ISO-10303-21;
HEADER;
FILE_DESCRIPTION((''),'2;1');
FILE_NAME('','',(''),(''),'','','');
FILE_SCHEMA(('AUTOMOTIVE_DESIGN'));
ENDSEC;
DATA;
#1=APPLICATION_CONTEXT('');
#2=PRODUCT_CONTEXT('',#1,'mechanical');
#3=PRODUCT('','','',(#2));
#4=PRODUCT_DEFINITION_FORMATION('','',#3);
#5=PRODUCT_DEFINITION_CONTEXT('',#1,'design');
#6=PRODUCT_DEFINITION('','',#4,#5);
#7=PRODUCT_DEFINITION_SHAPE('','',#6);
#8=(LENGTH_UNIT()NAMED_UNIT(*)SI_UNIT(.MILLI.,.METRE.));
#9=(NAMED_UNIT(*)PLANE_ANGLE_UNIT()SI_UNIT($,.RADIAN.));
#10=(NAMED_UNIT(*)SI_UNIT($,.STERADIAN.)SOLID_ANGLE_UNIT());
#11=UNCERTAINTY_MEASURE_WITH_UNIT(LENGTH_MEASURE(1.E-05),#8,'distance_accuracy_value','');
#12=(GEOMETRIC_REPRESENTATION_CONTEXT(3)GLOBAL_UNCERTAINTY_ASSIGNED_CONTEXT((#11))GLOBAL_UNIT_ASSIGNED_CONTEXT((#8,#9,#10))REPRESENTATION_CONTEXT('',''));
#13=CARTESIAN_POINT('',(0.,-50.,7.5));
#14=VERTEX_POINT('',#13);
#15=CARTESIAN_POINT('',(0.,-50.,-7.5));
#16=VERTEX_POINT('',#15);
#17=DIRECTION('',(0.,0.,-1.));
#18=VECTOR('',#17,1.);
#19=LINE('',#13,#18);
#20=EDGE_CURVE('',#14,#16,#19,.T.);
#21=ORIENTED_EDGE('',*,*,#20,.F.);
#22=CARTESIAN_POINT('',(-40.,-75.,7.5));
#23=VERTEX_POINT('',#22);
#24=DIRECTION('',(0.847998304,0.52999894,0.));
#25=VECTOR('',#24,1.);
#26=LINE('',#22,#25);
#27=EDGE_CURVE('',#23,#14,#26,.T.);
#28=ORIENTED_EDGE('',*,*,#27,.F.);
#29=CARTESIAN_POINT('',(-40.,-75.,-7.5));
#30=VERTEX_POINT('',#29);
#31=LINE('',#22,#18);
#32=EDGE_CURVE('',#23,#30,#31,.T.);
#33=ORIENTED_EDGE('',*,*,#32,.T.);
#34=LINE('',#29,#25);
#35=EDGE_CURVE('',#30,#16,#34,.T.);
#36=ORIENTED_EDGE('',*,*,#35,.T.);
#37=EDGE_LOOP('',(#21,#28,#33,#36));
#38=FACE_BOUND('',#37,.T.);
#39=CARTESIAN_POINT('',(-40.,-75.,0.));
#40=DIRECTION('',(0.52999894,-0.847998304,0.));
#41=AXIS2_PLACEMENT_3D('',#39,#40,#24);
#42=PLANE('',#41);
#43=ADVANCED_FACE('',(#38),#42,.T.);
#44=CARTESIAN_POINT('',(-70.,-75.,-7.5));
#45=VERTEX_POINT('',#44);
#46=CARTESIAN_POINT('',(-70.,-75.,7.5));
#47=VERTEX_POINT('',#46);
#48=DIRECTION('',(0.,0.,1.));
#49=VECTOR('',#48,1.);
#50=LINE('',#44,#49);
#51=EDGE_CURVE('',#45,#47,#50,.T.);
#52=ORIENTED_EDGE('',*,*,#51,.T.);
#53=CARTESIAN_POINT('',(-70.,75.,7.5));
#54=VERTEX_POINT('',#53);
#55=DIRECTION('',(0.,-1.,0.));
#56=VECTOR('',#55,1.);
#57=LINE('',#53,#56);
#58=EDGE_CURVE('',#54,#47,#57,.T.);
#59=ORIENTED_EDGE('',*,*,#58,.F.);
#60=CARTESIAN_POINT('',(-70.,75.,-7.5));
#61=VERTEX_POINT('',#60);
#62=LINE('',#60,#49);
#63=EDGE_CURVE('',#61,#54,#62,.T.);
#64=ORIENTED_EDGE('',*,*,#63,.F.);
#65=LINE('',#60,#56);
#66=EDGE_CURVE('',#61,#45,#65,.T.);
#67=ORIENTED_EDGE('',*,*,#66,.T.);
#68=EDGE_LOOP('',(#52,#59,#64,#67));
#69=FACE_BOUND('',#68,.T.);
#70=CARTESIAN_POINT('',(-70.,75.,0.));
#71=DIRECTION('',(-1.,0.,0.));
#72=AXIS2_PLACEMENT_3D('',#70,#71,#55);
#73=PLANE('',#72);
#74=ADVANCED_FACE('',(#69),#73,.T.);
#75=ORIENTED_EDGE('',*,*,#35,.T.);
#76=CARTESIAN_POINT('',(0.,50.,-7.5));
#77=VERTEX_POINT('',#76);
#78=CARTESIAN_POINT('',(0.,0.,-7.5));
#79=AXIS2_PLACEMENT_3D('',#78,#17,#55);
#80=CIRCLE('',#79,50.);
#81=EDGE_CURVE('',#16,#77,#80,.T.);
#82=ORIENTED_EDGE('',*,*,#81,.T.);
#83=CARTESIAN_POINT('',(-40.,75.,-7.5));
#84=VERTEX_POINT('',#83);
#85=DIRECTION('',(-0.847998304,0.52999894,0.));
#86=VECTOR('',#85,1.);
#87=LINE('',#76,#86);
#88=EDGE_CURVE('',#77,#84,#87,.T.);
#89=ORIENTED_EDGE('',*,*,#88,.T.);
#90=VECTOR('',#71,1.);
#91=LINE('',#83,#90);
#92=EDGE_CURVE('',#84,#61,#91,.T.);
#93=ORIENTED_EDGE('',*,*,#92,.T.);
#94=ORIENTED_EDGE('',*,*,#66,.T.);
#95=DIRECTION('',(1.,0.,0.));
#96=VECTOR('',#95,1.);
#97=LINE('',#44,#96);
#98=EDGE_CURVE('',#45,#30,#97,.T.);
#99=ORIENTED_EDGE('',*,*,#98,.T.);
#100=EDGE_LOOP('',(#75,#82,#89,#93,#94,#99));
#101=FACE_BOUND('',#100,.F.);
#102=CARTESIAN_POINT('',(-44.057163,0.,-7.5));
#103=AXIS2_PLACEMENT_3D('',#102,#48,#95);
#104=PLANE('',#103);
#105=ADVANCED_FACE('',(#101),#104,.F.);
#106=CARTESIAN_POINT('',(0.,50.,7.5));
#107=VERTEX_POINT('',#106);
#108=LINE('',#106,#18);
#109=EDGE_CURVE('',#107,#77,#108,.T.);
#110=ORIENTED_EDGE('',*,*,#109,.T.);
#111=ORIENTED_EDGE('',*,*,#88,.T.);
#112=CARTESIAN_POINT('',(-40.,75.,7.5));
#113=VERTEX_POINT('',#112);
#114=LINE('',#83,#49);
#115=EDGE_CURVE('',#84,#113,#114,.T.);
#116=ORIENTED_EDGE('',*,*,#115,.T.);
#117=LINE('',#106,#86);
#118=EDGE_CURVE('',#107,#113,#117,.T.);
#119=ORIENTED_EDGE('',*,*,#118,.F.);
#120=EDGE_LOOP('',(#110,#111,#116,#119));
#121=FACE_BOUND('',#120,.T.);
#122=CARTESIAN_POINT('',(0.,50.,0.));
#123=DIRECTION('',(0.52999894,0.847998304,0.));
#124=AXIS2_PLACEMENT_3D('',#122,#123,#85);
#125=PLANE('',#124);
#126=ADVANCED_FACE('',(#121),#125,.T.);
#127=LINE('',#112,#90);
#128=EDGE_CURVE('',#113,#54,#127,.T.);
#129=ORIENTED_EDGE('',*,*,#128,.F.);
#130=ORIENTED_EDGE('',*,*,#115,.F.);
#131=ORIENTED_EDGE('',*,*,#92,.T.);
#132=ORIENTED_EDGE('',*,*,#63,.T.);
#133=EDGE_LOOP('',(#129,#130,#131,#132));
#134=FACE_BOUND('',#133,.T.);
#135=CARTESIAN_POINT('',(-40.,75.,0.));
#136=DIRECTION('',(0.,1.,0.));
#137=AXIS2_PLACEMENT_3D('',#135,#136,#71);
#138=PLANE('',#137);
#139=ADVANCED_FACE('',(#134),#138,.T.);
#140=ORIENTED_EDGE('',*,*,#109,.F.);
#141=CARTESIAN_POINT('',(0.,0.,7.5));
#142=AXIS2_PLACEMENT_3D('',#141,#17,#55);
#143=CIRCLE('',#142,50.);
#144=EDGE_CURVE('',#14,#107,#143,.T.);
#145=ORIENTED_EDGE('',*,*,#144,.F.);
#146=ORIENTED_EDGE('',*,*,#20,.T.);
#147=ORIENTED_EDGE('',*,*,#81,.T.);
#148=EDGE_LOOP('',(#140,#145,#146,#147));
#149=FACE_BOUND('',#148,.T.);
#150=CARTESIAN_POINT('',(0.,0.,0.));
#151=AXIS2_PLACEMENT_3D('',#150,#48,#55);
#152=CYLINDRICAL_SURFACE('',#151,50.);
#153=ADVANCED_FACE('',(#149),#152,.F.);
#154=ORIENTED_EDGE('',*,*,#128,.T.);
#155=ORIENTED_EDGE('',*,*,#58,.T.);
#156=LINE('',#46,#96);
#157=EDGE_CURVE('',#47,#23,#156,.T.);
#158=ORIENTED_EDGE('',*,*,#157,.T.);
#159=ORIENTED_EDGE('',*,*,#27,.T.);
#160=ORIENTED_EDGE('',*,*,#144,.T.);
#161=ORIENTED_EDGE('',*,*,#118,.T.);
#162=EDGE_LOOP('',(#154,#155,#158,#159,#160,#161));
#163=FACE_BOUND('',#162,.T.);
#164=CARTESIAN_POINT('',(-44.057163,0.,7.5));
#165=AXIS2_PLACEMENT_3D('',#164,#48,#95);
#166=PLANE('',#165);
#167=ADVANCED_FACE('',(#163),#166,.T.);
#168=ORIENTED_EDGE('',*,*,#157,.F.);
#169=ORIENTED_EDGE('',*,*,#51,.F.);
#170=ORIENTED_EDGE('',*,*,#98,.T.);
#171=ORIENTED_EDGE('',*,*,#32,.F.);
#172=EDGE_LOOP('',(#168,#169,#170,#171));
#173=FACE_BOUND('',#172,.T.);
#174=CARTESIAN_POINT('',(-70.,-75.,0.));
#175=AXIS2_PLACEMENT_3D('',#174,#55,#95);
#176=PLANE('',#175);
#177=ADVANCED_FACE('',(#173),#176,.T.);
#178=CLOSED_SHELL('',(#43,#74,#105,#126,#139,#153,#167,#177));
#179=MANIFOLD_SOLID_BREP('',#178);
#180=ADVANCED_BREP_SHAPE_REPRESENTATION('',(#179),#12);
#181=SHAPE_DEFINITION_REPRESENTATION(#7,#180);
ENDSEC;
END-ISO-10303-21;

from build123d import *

# Parameters (mm, degrees)
BOSS_EXTRUDE1_DEPTH = 7.5


with BuildPart() as part:
    # Sketch1 → Boss-Extrude1 (new body, symmetric)
    with BuildSketch(Plane.XY):
        with BuildLine():
            Line((0, 50), (-40, 75))
            Line((-40, 75), (-70, 75))
            Line((-70, 75), (-70, -75))
            Line((-70, -75), (-40, -75))
            Line((-40, -75), (0, -50))
            ThreePointArc((0, -50), (-50, 0), (0, 50))
        make_face()
    extrude(amount=BOSS_EXTRUDE1_DEPTH, both=True)


solid = part.part
